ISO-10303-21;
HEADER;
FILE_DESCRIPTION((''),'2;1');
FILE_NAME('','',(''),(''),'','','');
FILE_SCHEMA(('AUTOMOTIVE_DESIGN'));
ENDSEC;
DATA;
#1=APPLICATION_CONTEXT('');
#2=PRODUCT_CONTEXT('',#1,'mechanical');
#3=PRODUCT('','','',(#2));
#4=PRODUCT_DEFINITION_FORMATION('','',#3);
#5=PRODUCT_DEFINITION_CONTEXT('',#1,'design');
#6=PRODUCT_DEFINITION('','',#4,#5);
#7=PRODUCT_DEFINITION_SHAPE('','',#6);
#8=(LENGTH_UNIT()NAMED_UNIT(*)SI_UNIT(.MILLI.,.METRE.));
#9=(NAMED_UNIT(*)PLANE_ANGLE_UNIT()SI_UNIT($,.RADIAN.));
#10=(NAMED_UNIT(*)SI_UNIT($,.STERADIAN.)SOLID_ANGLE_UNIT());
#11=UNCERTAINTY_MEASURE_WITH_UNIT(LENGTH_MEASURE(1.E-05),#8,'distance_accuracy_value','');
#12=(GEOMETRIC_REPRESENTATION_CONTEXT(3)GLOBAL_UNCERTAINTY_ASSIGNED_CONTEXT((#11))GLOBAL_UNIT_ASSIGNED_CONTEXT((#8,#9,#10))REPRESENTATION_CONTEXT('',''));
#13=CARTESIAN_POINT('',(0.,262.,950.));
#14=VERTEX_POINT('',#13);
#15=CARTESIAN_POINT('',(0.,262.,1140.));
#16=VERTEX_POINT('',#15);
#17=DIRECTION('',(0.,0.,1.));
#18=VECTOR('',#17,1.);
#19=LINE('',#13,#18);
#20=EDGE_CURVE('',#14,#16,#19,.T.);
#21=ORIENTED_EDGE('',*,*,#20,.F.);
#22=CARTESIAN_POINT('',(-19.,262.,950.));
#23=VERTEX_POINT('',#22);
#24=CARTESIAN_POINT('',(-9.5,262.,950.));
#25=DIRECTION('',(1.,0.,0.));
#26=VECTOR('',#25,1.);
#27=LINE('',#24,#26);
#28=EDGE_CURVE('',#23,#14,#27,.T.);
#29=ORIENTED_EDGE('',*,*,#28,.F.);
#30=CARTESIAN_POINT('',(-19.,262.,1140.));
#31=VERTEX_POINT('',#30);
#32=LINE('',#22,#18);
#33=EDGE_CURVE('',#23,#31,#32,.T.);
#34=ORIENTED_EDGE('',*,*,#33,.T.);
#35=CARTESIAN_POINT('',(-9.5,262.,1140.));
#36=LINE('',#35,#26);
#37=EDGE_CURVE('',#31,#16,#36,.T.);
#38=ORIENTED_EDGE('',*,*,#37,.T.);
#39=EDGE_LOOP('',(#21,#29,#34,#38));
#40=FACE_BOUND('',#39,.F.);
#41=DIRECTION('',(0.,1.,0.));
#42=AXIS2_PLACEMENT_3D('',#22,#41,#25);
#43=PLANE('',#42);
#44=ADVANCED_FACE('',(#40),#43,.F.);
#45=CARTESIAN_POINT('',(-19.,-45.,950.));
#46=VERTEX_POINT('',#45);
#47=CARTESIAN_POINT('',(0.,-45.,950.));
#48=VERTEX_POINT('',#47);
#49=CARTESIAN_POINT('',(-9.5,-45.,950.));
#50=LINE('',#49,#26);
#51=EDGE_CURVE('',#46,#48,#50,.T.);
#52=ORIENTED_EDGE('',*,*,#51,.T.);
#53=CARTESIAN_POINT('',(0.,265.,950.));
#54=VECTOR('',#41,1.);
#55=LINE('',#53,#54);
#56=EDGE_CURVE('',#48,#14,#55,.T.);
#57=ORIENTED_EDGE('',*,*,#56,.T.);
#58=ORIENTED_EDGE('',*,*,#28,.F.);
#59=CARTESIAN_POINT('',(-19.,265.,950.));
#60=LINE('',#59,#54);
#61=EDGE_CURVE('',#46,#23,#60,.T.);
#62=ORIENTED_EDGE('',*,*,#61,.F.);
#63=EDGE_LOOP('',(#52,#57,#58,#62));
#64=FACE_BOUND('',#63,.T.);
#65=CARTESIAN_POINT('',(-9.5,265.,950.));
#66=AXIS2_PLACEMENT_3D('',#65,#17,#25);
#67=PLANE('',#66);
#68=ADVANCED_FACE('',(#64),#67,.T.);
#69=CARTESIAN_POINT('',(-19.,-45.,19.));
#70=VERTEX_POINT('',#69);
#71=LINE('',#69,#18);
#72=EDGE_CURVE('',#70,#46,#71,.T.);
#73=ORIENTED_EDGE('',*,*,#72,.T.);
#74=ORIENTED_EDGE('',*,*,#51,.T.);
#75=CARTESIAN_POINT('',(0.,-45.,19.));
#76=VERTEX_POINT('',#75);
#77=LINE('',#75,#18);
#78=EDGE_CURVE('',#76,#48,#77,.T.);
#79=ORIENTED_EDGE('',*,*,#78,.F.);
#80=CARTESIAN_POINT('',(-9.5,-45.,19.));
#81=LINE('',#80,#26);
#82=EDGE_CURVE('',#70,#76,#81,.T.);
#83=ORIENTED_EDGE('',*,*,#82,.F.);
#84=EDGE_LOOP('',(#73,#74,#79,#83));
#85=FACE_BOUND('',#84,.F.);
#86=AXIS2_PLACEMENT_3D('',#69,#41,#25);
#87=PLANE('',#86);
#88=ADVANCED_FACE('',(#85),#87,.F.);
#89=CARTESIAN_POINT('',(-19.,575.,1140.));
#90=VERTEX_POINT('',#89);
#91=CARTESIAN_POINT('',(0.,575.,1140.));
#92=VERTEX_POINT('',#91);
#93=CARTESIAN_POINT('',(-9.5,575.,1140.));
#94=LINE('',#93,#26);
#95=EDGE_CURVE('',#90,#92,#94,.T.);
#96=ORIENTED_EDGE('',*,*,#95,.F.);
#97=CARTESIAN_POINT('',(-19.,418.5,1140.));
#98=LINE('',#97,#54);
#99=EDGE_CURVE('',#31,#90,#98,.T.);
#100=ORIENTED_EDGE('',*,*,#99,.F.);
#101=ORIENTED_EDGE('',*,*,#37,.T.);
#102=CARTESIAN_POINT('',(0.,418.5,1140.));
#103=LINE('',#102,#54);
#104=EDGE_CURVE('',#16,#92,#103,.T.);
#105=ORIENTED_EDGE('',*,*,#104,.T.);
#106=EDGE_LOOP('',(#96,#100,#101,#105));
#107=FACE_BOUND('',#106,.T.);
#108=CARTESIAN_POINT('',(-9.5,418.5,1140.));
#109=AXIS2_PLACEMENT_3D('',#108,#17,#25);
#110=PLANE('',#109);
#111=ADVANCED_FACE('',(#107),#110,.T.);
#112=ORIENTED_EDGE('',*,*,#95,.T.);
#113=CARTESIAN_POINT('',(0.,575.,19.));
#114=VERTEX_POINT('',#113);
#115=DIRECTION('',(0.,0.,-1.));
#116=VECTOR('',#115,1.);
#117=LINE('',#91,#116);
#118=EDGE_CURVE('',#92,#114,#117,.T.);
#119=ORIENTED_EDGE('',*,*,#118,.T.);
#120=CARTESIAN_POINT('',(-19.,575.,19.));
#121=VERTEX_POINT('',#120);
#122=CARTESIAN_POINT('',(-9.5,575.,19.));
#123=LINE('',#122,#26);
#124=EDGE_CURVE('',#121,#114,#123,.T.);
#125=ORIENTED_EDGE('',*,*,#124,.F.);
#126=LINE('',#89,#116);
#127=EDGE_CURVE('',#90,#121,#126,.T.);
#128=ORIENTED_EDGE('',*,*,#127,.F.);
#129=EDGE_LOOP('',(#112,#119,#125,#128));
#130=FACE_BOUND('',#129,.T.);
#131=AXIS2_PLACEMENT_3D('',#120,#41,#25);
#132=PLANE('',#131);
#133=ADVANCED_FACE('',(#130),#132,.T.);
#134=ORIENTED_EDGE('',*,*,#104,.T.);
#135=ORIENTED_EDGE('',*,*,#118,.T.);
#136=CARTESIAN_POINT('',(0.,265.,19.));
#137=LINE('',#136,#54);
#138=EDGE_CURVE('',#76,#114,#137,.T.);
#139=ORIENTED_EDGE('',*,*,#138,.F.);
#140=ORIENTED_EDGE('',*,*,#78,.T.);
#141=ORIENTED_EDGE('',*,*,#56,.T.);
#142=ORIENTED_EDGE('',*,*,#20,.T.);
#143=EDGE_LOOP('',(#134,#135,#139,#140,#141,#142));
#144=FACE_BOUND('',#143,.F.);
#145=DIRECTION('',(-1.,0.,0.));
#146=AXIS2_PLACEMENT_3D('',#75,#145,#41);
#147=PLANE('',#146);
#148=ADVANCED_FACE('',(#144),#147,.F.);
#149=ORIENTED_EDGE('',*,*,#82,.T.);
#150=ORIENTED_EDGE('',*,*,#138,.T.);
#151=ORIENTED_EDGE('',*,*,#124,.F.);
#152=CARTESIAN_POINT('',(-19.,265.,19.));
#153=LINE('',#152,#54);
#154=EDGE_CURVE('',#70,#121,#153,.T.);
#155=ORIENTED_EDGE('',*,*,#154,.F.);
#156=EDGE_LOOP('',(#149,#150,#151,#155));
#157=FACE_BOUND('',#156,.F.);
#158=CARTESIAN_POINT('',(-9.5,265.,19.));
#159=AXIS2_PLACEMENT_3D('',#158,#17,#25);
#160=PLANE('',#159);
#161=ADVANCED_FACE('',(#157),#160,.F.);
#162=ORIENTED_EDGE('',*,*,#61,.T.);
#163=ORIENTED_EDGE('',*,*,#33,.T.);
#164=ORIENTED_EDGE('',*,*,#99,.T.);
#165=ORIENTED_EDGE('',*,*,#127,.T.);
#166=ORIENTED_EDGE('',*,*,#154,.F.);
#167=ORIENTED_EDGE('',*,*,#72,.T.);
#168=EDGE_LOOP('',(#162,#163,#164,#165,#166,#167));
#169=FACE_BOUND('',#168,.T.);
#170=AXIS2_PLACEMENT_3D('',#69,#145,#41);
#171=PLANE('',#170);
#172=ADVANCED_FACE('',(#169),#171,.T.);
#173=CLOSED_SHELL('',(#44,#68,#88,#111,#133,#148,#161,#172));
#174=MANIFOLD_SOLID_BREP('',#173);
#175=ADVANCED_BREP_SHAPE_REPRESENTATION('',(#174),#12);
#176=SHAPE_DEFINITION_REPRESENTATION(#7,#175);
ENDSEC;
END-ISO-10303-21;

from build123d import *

# Parameters (mm, degrees)
BOX053_W     = 19
BOX053_H     = 620
BOX053_DEPTH = 931
BOX054_W     = 19
BOX054_H     = 313
BOX054_DEPTH = 190


with BuildPart() as blender:
    # Box053 → Box053 (new body)
    with BuildSketch(Plane(origin=(-19, -45, 19), x_dir=(1, 0, 0), z_dir=(0, 0, 1))):
        with Locations((9.5, 310)):
            Rectangle(BOX053_W, BOX053_H)
    extrude(amount=BOX053_DEPTH)


with BuildPart() as blender002:
    # Box054 → Box054 (new body)
    with BuildSketch(Plane(origin=(-19, 262, 950), x_dir=(1, 0, 0), z_dir=(0, 0, 1))):
        with Locations((9.5, 156.5)):
            Rectangle(BOX054_W, BOX054_H)
    extrude(amount=BOX054_DEPTH)

    # Connect: union BlendeR
    add(blender.part)


solid = blender002.part
